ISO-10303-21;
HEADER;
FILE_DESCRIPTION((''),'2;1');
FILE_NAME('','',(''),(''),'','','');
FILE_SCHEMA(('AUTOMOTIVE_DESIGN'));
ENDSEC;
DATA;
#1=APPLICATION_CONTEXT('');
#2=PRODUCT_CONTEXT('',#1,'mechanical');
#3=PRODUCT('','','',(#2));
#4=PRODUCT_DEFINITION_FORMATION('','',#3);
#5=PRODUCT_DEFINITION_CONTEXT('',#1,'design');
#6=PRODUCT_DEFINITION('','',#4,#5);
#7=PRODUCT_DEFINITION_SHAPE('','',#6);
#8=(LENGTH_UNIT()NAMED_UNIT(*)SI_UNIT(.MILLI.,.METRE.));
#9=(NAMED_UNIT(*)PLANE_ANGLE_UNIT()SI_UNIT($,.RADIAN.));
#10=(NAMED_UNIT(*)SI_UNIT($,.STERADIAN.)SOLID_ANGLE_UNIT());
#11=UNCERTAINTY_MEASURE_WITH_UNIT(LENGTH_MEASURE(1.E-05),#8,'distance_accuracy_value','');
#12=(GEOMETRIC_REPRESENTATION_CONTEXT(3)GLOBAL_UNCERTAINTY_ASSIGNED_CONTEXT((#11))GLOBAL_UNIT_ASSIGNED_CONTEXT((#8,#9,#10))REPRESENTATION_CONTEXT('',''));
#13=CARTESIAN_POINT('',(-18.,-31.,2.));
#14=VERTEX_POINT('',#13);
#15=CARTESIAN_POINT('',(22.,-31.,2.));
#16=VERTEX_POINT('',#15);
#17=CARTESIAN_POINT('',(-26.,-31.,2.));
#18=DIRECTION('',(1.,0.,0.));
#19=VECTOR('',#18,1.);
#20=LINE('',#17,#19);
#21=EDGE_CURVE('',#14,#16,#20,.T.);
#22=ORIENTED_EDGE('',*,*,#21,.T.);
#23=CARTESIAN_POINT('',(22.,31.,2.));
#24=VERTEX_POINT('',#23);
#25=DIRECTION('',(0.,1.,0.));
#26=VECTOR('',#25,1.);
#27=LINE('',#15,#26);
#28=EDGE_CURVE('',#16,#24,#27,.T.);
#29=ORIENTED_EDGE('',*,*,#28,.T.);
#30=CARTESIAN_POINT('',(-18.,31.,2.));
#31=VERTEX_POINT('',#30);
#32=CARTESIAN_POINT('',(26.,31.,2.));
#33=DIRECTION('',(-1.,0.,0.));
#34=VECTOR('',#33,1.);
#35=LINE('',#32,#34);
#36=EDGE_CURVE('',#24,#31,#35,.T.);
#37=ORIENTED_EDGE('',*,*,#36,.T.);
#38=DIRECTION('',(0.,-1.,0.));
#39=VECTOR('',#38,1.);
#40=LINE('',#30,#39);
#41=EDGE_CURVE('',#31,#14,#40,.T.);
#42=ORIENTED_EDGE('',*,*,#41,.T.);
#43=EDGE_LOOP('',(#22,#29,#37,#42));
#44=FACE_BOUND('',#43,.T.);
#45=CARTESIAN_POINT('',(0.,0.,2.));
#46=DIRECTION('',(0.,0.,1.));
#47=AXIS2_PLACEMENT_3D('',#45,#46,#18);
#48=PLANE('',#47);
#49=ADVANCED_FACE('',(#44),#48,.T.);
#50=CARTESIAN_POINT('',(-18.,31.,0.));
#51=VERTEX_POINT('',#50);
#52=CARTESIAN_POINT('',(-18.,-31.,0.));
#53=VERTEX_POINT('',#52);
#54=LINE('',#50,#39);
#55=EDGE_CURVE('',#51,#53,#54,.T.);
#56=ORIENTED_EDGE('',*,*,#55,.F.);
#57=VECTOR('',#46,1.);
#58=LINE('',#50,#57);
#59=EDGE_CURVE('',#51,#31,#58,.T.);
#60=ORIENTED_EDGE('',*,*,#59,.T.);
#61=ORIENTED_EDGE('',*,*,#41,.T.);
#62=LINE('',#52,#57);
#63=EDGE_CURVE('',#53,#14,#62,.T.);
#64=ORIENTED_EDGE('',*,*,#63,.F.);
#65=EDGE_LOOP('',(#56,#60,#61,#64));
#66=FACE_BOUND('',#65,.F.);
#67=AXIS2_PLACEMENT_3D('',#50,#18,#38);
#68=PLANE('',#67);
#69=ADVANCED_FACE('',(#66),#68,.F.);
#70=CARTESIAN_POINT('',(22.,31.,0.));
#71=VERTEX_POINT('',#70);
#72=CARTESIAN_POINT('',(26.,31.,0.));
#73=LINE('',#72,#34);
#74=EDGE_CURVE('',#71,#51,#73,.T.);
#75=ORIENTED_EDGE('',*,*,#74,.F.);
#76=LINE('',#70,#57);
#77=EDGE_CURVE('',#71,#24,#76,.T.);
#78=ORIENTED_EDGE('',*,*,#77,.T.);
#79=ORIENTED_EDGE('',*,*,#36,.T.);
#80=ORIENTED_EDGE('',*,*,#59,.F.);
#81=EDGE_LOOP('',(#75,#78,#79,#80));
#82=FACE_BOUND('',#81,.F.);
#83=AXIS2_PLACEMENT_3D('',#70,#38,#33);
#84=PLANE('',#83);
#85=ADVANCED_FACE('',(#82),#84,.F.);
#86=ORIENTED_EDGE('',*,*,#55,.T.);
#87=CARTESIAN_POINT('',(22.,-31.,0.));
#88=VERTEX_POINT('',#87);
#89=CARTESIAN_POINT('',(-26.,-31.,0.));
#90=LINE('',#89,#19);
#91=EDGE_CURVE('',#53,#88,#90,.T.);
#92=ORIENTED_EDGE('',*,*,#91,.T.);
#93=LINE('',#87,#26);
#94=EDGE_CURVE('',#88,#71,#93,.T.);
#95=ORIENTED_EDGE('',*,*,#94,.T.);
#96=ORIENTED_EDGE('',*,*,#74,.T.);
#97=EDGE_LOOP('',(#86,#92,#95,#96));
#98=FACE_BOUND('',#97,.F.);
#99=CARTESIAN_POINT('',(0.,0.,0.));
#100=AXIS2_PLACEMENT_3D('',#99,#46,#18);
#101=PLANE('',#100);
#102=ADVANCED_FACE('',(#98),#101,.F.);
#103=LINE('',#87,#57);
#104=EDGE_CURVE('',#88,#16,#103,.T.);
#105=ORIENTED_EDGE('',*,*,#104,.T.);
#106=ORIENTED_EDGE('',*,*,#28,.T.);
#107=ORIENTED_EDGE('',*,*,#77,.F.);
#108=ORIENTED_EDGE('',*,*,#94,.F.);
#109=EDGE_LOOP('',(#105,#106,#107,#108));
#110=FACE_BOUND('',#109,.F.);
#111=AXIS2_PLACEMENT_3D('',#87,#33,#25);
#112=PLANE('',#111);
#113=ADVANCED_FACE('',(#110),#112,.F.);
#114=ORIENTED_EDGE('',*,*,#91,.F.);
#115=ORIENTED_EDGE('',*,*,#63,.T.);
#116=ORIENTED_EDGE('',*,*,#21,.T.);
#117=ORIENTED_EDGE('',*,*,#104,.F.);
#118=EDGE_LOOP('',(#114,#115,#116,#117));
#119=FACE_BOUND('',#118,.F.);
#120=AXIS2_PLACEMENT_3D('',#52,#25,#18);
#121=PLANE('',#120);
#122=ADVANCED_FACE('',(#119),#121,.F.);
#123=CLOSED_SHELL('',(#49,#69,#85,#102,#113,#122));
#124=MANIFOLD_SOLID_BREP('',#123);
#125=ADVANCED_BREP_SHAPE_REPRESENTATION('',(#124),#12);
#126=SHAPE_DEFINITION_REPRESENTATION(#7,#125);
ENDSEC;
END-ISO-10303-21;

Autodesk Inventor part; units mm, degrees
ref_plane "YZ Plane" through (0, 0, 0) normal (1, 0, 0) x (0, 1, 0)
ref_plane "XZ Plane" through (0, 0, 0) normal (0, 1, 0) x (-1, 0, 0)
ref_plane "XY Plane" through (0, 0, 0) normal (0, 0, 1) x (1, 0, 0)
ref_plane "Work Plane1" through (0, 0, 0) normal (0, 0, 1) x (1, 0, 0)
sketch "Sketch1" plane through (0, 0, 0) normal (0, 0, 1) x (1, 0, 0)
  arc A0 (28, 29) -> (26, 31) centre (26, 29) ccw projected
  line L0 (26, 31) -> (-26, 31) projected
  arc A1 (-26, 31) -> (-26, 27) centre (-26, 29) ccw projected
  line L1 (-26, 27) -> (-24, 27) projected
  line L2 (-24, 27) -> (-24, -27) projected
  line L3 (-24, -27) -> (-26, -27) projected
  arc A2 (-26, -27) -> (-26, -31) centre (-26, -29) ccw projected
  line L4 (-26, -31) -> (26, -31) projected
  arc A3 (26, -31) -> (28, -29) centre (26, -29) ccw projected
  line L5 (28, -29) -> (28, 29) projected
  line L6 (22, 31) -> (-18, 31)
  line L7 (-18, 31) -> (-18, -31)
  line L8 (-18, -31) -> (22, -31)
  line L9 (22, -31) -> (22, 31)
  point P0 (0, 0)
  point P1 (22, -31)
  point P2 (-18, -31)
  dimension "d0" = 40
  dimension "d1" = 62
  dimension "d2" = 6
  dimension "d3" = 0
extrude "Extrusion1" add sketch "Sketch1" along normal blind 2 contours L9 L4 L7 L0
properties part number "Szkło"
